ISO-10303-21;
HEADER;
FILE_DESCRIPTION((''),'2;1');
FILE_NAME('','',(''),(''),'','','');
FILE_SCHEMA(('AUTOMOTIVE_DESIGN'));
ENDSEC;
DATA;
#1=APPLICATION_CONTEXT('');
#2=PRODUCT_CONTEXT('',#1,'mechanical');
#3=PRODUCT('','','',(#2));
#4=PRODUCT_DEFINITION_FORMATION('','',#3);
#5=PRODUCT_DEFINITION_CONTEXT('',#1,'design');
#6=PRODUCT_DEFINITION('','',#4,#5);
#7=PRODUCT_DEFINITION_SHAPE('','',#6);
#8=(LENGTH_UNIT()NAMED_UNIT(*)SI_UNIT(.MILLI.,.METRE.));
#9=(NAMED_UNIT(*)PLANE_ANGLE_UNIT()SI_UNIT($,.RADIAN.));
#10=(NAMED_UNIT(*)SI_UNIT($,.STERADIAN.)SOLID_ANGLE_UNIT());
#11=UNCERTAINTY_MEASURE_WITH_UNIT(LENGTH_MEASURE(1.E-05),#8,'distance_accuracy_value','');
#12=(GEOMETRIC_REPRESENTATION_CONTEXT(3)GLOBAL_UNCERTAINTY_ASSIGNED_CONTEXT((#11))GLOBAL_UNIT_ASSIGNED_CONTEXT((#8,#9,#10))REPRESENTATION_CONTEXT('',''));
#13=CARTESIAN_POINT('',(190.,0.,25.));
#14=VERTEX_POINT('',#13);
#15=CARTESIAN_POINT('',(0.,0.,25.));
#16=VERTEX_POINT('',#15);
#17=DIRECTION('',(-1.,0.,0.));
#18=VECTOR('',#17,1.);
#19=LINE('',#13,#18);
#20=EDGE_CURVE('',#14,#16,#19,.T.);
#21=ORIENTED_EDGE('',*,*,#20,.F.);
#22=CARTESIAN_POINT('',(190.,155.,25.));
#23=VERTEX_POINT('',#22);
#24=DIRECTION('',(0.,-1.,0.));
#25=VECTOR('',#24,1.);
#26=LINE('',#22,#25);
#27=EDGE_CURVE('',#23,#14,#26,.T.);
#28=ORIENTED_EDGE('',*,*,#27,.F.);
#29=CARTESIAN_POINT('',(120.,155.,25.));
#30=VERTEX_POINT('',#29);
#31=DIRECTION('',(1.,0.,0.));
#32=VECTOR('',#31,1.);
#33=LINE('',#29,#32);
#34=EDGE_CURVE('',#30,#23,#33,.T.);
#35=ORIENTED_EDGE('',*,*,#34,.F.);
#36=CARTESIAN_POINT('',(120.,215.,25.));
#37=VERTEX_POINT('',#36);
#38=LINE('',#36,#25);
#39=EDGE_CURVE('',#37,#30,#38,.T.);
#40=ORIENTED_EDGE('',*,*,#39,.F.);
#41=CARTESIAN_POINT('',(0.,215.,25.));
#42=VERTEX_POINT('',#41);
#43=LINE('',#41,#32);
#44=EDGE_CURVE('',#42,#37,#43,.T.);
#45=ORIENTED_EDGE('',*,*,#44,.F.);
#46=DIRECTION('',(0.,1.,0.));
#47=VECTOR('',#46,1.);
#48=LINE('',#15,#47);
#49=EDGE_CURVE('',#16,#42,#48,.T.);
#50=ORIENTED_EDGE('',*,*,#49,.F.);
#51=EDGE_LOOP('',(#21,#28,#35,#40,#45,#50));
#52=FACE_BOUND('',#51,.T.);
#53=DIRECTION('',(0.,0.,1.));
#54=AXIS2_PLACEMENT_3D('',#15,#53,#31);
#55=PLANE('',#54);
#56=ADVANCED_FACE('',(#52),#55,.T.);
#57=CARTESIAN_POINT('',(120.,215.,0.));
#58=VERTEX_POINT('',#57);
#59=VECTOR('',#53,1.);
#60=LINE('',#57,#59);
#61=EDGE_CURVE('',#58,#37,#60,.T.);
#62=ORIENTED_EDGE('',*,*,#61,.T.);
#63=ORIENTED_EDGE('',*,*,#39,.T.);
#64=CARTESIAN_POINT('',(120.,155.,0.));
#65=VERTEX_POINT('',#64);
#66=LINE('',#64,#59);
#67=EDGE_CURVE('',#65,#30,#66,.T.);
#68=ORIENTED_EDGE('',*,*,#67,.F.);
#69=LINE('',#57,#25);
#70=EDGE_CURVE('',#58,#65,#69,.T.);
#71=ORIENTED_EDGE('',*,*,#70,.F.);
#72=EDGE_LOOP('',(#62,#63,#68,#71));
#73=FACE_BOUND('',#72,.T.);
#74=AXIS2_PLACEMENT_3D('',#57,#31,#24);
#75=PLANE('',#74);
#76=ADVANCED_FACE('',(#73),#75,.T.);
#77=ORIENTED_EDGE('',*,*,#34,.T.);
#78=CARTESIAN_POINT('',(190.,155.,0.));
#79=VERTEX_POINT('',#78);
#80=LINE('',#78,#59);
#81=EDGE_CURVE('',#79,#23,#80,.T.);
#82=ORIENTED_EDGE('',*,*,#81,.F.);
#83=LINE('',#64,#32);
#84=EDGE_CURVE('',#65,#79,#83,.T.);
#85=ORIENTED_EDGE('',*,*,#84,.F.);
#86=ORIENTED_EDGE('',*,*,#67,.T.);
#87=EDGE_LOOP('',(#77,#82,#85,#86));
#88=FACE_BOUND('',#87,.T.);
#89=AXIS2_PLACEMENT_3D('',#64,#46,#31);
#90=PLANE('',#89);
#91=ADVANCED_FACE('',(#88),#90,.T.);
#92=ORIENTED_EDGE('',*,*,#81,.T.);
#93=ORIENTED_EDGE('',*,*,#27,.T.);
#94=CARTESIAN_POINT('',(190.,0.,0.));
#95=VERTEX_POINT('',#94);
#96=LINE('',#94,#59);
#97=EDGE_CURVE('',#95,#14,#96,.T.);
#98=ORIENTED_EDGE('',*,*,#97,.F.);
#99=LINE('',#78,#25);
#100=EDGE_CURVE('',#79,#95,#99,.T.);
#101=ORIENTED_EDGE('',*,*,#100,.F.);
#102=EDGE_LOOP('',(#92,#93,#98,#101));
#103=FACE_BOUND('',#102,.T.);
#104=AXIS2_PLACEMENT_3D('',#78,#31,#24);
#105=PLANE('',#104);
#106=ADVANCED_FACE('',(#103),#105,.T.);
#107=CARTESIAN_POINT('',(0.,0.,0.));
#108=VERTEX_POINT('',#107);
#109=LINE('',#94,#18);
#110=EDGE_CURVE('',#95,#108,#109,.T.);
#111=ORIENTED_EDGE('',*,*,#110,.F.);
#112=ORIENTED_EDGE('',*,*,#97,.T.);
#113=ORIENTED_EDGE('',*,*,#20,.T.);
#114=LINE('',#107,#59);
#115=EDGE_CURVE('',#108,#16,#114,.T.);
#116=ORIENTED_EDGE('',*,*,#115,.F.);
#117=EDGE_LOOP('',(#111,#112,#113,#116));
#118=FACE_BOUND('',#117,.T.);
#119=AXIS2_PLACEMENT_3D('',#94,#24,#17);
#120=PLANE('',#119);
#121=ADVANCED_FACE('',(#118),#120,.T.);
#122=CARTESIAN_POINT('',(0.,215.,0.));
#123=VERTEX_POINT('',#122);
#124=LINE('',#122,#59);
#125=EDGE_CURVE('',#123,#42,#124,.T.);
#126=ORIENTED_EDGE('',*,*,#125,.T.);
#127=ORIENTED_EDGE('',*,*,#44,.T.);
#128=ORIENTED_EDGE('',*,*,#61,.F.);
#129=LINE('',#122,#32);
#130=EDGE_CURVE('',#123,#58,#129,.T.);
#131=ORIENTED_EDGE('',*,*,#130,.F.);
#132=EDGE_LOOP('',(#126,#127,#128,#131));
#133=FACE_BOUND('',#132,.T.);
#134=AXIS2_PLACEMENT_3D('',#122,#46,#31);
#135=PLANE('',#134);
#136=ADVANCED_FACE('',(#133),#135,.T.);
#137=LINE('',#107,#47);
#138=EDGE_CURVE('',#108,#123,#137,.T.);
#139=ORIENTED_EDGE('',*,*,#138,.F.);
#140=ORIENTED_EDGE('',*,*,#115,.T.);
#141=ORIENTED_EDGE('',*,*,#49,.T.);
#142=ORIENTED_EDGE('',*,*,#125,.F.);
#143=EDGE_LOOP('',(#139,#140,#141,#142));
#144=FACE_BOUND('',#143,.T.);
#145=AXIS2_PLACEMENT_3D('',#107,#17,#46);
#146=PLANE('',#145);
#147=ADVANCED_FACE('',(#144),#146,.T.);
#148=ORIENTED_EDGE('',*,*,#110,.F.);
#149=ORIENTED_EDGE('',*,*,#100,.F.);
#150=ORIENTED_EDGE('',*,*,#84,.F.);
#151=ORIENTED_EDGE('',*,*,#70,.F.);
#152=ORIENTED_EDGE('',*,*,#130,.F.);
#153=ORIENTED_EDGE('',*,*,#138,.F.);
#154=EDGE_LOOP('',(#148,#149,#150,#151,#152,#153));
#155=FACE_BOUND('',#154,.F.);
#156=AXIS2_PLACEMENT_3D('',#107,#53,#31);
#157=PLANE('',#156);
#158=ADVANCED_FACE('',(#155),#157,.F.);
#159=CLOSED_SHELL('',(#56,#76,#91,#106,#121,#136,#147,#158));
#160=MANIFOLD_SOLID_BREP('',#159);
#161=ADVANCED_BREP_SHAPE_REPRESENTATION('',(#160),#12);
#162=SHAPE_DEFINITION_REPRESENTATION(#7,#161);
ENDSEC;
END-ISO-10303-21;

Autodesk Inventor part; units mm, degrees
ref_plane "YZ Plane" through (0, 0, 0) normal (1, 0, 0) x (0, 1, 0)
ref_plane "XZ Plane" through (0, 0, 0) normal (0, 1, 0) x (-1, 0, 0)
ref_plane "XY Plane" through (0, 0, 0) normal (0, 0, 1) x (1, 0, 0)
sketch "Sketch1" plane through (0, 0, 0) normal (0, 0, 1) x (1, 0, 0)
  line L0 (0, 0) -> (0, 215)
  line L1 (0, 215) -> (120, 215)
  line L2 (120, 215) -> (120, 155)
  line L3 (120, 155) -> (190, 155)
  line L4 (190, 155) -> (190, 0)
  line L5 (190, 0) -> (0, 0)
  dimension "d1" = 155
  dimension "d2" = 60
  dimension "d3" = 120
  dimension "d4" = 70
extrude "Extrusion1" add sketch "Sketch1" along normal blind 25
properties part number "base box"
